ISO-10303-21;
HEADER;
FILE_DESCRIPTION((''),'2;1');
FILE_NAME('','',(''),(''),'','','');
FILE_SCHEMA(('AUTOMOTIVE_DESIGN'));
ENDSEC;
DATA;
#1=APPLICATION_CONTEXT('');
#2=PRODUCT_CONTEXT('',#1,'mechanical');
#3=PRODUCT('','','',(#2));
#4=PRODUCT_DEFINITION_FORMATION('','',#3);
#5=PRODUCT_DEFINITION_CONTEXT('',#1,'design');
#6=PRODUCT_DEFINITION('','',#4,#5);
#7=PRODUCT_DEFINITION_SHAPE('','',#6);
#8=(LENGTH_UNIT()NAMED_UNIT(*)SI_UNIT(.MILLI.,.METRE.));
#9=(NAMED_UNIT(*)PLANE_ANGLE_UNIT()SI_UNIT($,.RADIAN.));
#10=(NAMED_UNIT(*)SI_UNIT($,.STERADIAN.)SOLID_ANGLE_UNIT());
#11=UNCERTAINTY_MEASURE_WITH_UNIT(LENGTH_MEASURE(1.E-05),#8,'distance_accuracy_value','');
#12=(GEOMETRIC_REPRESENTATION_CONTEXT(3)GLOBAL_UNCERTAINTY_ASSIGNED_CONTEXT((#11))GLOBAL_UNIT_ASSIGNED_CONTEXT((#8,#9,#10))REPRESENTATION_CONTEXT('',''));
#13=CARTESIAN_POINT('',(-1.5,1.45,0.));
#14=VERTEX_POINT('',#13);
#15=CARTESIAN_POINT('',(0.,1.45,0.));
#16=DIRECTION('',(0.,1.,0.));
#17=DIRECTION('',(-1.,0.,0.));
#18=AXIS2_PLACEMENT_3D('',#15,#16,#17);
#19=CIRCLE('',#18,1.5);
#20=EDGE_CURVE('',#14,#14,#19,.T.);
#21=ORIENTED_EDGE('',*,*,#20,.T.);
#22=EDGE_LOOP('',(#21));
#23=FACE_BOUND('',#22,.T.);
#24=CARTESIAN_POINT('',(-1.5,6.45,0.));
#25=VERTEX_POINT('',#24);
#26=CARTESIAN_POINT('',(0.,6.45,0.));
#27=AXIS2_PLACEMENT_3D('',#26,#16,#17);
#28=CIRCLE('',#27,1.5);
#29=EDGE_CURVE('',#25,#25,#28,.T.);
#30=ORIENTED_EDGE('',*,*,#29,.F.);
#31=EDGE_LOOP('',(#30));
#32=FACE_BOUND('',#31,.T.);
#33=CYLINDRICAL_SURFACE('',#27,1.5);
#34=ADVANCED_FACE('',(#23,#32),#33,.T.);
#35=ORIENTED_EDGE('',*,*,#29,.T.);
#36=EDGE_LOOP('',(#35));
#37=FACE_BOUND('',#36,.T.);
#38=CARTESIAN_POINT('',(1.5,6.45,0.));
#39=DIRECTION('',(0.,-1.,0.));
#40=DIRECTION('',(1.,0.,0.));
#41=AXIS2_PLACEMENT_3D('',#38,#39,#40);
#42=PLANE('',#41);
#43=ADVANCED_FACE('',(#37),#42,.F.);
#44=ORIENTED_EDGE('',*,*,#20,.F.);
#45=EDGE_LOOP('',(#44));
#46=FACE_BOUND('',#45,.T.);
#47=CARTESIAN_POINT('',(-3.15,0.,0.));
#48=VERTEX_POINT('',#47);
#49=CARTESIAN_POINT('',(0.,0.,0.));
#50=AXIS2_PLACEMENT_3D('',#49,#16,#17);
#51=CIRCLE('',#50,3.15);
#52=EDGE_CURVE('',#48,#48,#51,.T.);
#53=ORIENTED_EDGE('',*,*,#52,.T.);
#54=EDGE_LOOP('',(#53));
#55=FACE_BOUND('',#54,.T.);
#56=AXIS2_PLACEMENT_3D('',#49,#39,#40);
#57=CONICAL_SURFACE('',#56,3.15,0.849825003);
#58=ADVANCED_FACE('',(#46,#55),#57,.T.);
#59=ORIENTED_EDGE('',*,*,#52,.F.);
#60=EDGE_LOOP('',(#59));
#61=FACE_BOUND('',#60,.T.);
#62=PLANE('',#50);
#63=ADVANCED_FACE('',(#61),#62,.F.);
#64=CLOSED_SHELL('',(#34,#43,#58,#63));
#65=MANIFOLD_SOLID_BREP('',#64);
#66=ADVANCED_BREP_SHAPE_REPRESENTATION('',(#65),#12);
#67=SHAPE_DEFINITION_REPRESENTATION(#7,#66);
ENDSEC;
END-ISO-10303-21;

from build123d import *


with BuildPart() as part:
    # Sketch1 → Revolve1 (revolve)
    with BuildSketch(Plane.XY, mode=Mode.PRIVATE) as revolve1_sk:
        Polygon((0, 0), (3.15, 0), (1.5, 1.45), (1.5, 6.45), (0, 6.45), align=None)
    revolve(revolve1_sk.sketch.rotate(Axis((0, 6.45, 0), (0, -1, 0)), 180), axis=Axis((0, 6.45, 0), (0, -1, 0)))


solid = part.part
